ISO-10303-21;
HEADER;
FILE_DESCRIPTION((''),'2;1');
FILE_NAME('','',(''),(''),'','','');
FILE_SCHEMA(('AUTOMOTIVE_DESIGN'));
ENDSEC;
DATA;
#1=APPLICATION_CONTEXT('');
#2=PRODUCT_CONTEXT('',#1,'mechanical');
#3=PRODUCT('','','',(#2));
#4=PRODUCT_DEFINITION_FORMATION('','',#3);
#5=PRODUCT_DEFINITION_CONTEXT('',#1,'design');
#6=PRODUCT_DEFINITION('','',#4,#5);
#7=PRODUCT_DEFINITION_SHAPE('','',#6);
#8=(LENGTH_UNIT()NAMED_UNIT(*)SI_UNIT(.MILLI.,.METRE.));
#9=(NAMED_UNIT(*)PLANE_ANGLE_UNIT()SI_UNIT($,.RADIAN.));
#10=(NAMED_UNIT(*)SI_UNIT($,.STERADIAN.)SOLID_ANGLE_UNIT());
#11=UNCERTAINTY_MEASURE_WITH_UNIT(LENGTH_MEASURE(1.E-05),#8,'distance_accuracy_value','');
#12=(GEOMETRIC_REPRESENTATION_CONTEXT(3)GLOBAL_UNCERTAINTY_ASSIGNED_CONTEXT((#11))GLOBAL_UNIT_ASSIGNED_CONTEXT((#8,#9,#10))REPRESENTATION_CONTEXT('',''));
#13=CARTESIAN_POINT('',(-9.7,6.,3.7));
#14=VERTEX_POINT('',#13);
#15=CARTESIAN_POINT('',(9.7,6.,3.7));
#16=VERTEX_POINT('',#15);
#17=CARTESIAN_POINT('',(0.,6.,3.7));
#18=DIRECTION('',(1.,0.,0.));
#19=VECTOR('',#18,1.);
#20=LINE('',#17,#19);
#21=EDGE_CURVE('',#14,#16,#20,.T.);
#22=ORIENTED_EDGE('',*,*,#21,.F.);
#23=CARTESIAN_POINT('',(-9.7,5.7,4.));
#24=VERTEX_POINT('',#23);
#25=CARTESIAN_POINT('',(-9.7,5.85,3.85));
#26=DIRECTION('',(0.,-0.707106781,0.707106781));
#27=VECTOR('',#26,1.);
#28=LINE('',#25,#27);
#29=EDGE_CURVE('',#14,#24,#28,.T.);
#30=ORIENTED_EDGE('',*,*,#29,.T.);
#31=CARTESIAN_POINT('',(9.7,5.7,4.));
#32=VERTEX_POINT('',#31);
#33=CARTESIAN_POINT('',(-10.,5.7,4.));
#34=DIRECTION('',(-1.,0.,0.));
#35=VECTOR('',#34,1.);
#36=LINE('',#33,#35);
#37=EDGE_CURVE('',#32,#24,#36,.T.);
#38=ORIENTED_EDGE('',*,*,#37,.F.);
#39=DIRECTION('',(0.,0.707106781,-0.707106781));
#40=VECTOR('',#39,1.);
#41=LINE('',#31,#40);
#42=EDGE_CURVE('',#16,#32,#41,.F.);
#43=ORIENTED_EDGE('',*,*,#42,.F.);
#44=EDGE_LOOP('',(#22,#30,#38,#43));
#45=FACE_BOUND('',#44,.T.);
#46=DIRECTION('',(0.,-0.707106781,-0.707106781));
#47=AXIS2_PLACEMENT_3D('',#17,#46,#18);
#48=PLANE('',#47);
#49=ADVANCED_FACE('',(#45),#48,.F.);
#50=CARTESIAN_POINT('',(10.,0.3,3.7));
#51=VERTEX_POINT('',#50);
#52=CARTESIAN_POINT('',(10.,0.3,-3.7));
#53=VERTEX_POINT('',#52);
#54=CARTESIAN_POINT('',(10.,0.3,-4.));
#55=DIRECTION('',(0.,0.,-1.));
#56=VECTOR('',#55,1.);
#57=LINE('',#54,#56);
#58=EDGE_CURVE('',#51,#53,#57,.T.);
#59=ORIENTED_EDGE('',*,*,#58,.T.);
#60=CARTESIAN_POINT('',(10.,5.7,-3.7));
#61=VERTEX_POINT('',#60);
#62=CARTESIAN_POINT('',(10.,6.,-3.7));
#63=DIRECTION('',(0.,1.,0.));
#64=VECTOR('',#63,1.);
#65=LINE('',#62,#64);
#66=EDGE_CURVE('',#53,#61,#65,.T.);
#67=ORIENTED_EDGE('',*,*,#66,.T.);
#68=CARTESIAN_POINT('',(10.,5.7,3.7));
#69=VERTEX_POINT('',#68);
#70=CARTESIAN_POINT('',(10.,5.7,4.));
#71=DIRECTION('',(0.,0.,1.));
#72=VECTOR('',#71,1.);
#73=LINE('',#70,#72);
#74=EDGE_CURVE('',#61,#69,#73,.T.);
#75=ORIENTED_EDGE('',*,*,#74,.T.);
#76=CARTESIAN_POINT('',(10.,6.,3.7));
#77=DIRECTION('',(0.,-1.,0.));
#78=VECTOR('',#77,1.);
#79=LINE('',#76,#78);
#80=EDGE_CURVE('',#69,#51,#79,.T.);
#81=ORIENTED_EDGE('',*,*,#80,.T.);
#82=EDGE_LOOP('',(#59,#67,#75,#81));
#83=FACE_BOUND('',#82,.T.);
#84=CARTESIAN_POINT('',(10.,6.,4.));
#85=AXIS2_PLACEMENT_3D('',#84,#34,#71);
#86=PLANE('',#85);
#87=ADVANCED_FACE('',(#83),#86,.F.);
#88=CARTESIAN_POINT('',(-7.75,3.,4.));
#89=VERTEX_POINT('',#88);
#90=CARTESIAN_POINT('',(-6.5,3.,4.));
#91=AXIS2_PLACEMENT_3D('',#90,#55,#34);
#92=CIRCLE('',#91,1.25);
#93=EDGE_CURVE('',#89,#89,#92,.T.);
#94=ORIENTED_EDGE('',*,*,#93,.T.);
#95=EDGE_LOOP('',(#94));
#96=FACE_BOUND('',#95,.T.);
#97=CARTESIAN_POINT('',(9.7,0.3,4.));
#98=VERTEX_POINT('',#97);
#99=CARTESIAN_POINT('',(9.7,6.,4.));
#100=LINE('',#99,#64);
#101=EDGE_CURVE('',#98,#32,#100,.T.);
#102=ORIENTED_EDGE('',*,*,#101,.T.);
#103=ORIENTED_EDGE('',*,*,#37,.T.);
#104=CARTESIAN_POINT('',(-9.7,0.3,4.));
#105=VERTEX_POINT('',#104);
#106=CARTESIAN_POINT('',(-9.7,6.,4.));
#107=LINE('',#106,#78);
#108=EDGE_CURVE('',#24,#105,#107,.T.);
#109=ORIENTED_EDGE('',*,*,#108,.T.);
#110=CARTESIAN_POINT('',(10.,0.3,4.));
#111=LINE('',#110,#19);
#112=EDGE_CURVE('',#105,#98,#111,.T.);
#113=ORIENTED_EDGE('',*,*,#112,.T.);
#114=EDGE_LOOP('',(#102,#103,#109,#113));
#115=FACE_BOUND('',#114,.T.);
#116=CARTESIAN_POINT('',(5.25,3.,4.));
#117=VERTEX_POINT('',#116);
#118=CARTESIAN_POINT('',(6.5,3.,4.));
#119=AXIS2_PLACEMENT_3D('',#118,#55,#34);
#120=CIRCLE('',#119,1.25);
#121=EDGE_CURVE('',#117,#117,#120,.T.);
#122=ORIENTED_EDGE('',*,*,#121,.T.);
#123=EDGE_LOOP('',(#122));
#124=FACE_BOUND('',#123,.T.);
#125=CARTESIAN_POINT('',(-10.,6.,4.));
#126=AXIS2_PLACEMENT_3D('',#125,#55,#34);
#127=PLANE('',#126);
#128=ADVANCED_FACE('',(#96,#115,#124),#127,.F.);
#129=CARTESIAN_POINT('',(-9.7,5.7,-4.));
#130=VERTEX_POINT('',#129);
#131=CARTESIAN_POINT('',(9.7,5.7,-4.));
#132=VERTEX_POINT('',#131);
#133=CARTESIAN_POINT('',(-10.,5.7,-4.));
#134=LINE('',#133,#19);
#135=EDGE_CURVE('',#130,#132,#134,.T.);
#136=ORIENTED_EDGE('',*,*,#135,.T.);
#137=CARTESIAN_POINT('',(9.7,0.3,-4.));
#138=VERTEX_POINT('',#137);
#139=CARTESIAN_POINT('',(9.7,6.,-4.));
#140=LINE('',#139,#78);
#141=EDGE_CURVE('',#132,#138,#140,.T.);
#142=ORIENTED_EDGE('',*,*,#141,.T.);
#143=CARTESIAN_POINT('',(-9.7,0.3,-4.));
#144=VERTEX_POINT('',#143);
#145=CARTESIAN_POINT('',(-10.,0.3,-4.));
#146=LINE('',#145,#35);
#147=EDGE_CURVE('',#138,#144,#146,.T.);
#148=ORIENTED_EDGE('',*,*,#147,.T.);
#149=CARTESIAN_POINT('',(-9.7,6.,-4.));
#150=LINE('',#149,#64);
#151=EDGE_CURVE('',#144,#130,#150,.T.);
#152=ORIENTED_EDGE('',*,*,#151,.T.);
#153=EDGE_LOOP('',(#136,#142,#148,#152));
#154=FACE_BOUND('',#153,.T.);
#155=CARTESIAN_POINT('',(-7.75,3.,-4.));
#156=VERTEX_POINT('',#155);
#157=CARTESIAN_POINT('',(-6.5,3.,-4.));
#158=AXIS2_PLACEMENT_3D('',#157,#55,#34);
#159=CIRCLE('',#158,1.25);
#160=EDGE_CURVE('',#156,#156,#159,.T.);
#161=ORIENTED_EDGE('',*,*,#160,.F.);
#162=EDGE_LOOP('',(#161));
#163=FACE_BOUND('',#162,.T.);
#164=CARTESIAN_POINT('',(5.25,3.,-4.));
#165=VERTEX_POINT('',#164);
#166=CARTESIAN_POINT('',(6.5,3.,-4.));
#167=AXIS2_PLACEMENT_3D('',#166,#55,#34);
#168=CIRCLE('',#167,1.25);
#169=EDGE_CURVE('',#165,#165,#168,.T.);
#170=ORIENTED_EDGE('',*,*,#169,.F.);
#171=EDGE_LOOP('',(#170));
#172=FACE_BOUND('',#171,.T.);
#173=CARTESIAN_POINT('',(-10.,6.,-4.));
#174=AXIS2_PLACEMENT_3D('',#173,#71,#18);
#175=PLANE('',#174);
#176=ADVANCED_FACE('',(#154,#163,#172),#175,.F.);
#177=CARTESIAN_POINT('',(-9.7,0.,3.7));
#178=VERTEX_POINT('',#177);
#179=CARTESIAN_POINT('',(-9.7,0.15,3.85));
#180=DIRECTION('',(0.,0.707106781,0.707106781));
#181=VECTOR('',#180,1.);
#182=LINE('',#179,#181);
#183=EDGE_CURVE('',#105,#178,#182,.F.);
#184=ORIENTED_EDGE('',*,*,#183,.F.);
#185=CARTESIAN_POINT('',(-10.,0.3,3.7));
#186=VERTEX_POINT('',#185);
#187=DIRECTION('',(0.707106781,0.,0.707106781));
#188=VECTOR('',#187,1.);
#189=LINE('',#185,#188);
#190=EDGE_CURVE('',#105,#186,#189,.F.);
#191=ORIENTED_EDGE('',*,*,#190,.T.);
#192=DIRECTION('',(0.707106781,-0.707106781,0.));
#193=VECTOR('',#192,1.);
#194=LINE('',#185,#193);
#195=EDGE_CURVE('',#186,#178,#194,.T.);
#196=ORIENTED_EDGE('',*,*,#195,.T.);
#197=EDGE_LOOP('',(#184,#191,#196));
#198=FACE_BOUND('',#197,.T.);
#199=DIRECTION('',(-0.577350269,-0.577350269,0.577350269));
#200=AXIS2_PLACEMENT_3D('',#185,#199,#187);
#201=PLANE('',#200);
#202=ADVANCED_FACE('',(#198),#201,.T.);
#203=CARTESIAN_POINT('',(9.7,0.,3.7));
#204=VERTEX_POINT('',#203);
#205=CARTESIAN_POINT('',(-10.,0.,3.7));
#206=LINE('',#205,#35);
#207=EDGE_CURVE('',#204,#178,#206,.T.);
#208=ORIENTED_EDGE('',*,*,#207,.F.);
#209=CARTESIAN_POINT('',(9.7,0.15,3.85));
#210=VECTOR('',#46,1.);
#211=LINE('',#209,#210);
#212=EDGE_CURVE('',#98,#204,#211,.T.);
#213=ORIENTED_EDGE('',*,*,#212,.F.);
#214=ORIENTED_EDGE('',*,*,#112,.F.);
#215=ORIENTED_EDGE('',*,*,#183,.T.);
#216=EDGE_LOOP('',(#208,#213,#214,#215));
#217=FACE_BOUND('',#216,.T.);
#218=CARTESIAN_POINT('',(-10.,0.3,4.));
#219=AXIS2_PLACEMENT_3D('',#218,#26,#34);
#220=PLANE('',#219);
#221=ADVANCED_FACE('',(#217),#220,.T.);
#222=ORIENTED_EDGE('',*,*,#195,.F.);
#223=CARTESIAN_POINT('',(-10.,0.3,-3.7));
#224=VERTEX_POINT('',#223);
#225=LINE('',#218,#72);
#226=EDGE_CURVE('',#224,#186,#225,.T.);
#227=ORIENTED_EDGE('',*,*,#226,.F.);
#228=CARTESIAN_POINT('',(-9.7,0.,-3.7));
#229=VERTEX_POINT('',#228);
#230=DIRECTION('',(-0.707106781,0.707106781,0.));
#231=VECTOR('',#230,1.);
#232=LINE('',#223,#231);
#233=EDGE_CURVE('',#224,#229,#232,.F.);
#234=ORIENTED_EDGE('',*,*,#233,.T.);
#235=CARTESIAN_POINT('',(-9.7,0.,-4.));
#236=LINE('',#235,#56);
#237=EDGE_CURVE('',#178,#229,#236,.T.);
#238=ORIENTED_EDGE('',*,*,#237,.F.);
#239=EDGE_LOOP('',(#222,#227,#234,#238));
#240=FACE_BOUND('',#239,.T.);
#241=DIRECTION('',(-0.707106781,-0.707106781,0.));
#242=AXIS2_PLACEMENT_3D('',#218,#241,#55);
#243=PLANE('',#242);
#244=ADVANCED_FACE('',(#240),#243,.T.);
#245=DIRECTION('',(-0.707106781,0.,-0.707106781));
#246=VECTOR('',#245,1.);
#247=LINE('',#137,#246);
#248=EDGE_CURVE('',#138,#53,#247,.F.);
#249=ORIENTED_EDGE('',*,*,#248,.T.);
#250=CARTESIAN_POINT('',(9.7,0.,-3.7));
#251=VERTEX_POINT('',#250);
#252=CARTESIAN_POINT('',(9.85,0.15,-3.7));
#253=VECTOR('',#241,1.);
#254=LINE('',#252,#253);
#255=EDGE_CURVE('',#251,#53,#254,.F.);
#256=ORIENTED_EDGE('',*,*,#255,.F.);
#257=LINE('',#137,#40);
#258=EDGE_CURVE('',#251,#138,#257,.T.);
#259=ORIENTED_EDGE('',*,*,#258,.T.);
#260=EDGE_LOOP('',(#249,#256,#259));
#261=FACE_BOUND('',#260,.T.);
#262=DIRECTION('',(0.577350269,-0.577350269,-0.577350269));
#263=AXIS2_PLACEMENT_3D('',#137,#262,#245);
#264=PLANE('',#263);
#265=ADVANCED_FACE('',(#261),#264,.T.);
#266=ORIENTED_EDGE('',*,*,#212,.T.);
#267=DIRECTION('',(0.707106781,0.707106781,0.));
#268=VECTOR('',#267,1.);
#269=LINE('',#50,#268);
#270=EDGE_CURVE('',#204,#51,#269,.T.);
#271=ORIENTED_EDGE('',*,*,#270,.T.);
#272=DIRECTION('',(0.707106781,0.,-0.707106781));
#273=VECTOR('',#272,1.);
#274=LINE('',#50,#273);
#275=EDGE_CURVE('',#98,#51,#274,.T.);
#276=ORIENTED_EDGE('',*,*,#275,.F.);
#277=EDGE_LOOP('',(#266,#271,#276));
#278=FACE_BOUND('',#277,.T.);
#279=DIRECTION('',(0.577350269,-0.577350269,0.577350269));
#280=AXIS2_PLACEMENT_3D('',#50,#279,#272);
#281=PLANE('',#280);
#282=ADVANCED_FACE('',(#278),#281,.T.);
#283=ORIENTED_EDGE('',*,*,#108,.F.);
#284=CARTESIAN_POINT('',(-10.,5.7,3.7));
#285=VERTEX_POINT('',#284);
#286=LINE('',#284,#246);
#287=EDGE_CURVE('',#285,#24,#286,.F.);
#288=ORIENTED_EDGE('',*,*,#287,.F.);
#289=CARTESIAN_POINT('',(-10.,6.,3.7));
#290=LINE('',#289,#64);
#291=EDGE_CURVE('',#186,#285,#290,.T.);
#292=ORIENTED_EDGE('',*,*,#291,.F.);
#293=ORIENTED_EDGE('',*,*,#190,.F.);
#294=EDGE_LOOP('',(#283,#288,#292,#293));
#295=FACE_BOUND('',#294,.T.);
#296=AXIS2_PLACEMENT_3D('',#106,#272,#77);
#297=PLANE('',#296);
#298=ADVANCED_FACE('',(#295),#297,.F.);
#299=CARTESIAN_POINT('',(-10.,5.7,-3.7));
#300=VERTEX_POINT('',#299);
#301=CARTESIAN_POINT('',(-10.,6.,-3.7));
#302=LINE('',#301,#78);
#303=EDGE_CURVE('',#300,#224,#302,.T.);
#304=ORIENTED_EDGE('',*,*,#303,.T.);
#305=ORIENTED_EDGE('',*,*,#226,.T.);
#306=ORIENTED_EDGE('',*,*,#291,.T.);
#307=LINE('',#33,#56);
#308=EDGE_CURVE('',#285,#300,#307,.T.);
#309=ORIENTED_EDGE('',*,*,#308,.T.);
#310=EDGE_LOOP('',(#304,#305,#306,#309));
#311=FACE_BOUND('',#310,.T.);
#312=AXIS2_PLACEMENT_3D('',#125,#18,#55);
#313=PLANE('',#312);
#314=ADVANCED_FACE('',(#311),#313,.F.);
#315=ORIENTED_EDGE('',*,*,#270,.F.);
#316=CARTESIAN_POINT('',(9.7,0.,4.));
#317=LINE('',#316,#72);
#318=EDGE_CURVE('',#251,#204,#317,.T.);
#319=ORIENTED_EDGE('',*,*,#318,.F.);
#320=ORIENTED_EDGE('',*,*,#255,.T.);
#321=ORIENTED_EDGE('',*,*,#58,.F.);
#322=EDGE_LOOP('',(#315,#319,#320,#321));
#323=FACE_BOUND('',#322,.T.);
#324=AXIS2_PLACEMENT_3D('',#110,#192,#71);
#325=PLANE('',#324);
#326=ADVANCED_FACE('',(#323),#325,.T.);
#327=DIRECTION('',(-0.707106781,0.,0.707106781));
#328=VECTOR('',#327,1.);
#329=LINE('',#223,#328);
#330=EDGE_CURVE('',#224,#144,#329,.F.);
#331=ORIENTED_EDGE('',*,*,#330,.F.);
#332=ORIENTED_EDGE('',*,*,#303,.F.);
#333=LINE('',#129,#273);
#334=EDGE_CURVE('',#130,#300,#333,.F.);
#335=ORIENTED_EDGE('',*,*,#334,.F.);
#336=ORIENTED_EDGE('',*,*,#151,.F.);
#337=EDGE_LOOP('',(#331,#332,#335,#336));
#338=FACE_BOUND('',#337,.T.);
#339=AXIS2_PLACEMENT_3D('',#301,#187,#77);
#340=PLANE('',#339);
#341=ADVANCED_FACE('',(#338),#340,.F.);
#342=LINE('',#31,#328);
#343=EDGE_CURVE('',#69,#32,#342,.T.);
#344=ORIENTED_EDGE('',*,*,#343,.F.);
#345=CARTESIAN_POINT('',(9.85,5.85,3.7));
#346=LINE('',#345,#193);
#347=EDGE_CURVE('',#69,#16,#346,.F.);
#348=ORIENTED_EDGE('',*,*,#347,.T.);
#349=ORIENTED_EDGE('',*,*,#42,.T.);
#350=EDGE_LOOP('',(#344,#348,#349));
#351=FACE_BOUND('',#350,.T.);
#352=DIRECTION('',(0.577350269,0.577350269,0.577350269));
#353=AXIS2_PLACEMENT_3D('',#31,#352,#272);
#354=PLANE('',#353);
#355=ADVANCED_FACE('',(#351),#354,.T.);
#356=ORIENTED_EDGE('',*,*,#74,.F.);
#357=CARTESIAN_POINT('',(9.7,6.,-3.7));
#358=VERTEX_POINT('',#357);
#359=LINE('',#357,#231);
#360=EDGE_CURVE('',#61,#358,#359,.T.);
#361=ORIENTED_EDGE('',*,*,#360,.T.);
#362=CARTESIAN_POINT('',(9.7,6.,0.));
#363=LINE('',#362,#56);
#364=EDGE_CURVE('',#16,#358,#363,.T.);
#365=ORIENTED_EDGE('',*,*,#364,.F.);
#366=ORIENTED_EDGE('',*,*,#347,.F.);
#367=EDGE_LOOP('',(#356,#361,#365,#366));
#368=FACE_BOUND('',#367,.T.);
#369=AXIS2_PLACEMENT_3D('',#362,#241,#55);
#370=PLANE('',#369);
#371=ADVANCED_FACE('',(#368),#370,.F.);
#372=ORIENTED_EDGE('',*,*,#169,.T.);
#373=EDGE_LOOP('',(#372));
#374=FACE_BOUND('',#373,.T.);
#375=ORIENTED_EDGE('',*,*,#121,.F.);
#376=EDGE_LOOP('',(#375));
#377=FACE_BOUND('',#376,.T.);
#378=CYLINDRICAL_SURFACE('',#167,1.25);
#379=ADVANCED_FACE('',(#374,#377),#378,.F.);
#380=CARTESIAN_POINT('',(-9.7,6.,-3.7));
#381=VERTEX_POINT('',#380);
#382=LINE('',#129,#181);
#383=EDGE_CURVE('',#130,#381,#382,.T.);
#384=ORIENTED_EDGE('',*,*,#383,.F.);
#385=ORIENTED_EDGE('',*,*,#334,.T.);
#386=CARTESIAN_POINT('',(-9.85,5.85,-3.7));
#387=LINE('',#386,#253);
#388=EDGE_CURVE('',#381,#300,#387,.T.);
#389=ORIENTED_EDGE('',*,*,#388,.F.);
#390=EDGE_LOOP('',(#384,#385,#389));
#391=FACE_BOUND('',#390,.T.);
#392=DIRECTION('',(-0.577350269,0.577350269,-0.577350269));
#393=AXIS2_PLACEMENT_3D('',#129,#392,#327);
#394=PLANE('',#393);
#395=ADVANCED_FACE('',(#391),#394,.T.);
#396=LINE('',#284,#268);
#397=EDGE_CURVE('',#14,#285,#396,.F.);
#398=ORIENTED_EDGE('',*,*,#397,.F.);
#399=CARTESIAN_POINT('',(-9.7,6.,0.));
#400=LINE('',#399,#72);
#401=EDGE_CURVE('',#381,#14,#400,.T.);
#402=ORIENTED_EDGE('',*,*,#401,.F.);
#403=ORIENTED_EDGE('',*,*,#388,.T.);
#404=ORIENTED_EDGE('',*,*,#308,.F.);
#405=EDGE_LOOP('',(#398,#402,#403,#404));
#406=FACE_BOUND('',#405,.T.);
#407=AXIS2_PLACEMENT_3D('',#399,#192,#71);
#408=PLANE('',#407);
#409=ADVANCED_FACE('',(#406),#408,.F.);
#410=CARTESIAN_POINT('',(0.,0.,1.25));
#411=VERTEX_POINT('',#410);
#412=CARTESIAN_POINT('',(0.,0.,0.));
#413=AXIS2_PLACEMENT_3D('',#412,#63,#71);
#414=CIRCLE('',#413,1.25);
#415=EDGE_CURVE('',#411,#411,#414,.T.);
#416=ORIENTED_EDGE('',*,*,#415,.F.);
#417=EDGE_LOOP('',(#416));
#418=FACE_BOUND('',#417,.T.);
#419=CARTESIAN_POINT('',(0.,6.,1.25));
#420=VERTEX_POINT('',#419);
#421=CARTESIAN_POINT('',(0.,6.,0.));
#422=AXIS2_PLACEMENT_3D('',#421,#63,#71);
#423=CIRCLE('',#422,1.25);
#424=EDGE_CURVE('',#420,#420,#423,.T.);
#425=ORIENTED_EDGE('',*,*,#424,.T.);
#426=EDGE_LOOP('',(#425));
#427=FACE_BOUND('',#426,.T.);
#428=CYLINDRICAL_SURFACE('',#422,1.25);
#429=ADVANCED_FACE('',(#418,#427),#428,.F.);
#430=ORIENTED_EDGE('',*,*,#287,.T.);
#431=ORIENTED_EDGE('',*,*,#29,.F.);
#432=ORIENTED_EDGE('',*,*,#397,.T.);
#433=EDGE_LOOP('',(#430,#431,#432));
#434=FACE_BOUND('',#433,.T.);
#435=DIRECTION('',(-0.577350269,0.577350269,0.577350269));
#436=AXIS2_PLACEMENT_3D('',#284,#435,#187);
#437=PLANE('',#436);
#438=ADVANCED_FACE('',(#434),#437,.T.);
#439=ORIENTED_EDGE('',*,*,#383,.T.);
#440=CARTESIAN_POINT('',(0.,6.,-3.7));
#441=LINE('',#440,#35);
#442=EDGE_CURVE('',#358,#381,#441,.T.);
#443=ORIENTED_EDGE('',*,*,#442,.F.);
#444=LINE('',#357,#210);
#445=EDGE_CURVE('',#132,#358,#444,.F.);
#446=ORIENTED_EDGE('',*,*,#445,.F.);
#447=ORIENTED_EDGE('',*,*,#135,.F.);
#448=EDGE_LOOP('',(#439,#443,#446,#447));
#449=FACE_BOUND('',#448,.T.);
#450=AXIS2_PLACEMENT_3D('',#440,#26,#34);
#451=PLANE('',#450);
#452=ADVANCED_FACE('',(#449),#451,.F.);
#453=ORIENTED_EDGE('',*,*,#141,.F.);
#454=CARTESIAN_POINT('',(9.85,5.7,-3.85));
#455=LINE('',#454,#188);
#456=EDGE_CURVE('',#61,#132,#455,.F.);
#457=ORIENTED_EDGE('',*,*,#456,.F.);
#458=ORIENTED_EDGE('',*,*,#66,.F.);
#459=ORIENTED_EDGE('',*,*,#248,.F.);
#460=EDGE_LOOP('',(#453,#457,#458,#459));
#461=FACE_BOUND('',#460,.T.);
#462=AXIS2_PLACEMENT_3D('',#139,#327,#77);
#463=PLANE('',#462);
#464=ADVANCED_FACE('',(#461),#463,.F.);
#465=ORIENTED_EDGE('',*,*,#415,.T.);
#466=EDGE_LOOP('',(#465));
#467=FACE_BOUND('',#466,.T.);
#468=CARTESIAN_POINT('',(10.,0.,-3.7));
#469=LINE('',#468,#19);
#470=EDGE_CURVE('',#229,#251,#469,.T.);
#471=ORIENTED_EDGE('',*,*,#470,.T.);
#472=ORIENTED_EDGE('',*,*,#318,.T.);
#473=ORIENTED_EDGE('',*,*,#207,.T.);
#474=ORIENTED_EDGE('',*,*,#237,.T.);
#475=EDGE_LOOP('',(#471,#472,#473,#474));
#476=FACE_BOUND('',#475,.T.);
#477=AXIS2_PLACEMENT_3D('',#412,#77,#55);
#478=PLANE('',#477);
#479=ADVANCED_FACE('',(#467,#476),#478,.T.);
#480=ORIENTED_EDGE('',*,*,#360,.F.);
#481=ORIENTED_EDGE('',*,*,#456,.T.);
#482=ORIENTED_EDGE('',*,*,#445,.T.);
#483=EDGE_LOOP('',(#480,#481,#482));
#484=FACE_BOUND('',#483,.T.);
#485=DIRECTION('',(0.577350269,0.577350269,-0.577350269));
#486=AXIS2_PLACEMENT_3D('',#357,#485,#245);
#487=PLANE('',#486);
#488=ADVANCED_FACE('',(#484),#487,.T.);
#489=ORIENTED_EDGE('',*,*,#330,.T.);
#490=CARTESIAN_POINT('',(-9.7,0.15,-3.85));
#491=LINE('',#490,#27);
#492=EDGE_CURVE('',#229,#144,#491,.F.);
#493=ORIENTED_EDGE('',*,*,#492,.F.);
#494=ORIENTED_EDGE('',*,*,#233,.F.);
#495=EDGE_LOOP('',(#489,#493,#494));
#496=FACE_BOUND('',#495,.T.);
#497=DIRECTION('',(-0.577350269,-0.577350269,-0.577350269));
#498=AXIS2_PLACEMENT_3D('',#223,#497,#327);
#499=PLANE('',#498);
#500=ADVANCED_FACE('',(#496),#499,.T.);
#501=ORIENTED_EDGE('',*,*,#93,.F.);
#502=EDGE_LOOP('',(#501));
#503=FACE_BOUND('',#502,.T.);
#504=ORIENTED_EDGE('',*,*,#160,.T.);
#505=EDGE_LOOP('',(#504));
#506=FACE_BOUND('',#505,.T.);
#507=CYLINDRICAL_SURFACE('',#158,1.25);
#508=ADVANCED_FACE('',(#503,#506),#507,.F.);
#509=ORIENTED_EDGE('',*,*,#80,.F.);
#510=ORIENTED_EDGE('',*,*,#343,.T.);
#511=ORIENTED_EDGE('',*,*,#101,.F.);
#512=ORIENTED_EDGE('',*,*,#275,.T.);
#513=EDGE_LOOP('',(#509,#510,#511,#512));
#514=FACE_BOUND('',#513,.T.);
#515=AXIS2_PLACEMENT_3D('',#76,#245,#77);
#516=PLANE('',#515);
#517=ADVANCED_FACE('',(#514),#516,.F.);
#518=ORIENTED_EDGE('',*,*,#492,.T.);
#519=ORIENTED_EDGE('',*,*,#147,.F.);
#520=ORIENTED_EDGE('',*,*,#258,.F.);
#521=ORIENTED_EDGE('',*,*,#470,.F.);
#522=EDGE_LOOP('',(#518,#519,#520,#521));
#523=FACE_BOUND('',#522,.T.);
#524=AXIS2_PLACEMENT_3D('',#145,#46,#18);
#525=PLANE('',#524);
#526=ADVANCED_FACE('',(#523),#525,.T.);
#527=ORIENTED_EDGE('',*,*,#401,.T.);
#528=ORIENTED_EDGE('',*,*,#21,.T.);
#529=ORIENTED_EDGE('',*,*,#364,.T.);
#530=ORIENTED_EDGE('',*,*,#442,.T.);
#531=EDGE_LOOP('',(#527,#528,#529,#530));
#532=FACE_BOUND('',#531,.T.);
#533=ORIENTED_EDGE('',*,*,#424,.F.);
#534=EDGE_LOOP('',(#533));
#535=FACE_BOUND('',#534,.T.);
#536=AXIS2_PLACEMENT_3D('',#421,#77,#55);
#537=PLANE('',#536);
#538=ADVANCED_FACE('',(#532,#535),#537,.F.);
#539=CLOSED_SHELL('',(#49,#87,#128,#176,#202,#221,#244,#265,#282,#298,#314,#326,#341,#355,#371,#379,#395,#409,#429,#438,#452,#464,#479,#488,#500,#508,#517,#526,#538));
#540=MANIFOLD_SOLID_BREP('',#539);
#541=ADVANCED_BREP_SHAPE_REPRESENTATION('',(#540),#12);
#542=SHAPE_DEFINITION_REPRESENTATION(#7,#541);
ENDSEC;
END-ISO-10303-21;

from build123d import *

# Parameters (mm, degrees)
SKETCH_1_W         = 20
SKETCH_1_H         = 8
EXTRUDE_1_DEPTH    = 6
HOLE_WIZARD_M3_1_D = 2.5
HOLE_WIZARD_M3_2_D = 2.5
CHAMFER_1_SIZE     = 0.3


with BuildPart() as part:
    # 草图1 → 凸台-拉伸1 (new body)
    with BuildSketch(Plane(origin=(0, 0, 0), x_dir=(1, 0, 0), z_dir=(0, 1, 0))):
        Rectangle(SKETCH_1_W, SKETCH_1_H)
    extrude(amount=EXTRUDE_1_DEPTH)

    # M3 螺纹孔1 (through all)
    with Locations(Plane(origin=(6.5, 3, -4), x_dir=(-1, 0, 0), z_dir=(0, 0, -1))):
        with Locations((0, 0), (13, 0)):
            Hole(HOLE_WIZARD_M3_1_D / 2)

    # M3 螺纹孔2 (through all)
    with Locations(Plane.ZX.offset(6)):
        with Locations((0, 0)):
            Hole(HOLE_WIZARD_M3_2_D / 2)

    # 倒角1
    chamfer_1_edges = [part.edges().sort_by_distance(p)[0] for p in [
        (-10, 6, 0),
        (0, 6, 4),
        (10, 6, 0),
        (0, 0, 4),
        (-10, 0, 0),
        (0, 0, -4),
        (10, 0, 0),
        (10, 3, 4),
        (-10, 3, 4),
        (-10, 3, -4),
        (10, 3, -4),
        (0, 6, -4),
    ]]
    chamfer(chamfer_1_edges, length=CHAMFER_1_SIZE)


solid = part.part
